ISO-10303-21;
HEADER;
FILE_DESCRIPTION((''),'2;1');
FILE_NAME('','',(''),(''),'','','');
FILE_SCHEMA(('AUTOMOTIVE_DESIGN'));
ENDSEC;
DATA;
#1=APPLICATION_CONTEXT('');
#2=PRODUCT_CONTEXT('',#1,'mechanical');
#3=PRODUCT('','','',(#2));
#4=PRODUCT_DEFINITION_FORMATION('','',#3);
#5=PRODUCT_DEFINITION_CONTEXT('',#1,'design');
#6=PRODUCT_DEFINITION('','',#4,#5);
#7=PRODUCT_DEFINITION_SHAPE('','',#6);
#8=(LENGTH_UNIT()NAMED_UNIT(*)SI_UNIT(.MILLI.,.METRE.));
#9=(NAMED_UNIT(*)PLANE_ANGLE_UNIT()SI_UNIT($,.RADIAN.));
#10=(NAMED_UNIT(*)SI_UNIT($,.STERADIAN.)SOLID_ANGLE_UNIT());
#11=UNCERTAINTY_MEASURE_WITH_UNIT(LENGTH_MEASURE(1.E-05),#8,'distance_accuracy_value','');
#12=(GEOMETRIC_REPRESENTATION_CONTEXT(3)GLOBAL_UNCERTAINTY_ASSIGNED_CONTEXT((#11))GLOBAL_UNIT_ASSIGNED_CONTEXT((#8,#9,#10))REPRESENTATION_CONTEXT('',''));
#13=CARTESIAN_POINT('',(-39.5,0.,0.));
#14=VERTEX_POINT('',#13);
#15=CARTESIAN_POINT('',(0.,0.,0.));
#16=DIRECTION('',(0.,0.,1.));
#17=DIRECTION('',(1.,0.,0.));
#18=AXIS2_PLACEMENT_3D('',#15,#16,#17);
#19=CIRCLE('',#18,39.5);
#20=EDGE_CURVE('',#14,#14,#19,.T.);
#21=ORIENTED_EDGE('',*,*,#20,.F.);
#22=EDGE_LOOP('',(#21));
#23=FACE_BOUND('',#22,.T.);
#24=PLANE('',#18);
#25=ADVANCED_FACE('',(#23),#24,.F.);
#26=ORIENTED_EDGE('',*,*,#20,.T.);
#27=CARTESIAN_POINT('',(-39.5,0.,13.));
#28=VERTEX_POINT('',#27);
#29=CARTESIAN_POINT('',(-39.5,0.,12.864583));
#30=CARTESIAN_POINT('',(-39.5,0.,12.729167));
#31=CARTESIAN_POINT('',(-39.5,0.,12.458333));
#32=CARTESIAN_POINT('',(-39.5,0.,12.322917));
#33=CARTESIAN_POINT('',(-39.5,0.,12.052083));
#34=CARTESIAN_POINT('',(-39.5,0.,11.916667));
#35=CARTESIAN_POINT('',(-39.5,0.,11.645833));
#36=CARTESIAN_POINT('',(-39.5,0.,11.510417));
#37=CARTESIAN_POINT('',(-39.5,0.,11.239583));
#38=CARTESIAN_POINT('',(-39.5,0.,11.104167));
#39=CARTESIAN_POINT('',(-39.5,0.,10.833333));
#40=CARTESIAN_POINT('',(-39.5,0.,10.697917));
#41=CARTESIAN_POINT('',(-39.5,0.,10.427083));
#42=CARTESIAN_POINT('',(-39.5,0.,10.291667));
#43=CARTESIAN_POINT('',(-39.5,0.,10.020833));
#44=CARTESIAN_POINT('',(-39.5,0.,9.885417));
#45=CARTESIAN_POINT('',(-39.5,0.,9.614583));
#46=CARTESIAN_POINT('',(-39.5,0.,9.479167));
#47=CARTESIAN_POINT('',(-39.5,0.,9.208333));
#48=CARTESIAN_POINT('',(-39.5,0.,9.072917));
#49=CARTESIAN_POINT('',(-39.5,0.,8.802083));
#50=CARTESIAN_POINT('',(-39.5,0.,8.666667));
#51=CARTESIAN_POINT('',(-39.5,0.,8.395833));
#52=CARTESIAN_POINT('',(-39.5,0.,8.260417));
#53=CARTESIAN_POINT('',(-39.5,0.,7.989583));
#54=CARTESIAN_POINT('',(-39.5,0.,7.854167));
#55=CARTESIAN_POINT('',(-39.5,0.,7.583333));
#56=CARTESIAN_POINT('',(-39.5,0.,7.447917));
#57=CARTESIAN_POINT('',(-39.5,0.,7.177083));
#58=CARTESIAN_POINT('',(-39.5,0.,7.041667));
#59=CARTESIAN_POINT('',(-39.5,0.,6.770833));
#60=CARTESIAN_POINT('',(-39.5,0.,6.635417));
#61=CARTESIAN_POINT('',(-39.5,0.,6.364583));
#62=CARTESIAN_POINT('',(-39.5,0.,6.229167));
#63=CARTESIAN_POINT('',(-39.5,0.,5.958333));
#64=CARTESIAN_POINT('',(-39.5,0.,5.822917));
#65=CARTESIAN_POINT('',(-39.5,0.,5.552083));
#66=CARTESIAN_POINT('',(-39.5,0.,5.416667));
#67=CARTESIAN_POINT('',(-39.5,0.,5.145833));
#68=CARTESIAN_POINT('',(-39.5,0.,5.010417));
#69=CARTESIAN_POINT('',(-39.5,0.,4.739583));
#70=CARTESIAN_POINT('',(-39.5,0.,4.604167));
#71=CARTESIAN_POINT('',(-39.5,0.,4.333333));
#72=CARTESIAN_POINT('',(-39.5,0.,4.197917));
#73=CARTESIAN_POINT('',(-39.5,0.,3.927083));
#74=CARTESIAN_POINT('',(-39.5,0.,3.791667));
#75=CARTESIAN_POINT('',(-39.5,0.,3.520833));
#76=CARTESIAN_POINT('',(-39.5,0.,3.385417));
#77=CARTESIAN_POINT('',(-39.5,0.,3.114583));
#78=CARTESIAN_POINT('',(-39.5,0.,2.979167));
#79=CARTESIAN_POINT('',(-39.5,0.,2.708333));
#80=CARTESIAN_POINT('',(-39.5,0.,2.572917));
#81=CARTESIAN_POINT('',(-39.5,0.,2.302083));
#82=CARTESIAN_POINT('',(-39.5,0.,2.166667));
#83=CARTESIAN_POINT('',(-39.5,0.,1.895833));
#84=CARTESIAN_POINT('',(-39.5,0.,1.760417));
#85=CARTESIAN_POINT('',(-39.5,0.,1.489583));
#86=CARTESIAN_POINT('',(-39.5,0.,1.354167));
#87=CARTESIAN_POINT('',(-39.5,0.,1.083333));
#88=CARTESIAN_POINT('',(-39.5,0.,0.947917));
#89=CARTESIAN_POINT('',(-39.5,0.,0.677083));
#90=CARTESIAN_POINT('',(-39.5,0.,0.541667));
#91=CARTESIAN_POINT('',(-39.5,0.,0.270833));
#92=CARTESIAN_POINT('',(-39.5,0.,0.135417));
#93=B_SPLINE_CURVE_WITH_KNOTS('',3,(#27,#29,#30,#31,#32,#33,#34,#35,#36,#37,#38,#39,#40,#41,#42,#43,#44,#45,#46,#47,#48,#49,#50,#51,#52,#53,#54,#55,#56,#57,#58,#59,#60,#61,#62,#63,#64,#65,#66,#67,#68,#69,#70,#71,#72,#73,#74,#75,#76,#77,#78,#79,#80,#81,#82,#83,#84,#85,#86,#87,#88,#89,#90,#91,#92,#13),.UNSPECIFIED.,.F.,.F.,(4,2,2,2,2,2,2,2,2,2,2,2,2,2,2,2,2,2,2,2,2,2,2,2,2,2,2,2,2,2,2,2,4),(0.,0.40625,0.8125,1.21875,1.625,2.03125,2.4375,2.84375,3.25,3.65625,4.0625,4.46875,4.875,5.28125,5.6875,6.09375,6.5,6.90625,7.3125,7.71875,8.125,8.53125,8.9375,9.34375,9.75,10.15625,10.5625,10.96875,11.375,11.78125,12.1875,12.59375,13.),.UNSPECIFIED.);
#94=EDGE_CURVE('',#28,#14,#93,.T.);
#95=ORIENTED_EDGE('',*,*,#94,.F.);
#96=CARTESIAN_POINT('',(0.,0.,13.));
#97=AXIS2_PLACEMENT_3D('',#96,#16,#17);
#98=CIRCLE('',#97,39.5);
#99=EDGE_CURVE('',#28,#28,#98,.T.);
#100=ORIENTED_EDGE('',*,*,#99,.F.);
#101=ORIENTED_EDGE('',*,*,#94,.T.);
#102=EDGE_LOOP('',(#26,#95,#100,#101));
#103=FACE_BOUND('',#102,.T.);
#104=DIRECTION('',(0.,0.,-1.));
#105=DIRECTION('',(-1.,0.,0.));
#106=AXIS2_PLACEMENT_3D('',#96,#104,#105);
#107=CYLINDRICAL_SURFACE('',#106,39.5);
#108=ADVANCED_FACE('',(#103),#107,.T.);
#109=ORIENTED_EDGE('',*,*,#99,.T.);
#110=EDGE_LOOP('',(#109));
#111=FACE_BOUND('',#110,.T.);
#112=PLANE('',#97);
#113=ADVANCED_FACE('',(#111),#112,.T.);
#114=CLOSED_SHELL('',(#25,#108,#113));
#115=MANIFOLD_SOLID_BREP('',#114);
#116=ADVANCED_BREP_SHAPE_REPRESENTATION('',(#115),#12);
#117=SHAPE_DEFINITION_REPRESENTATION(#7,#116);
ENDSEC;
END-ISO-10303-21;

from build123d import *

# Parameters (mm, degrees)
SKETCH1_R           = 39.5
BOSS_EXTRUDE1_DEPTH = 13


with BuildPart() as part:
    # Sketch1 → Boss-Extrude1 (new body)
    with BuildSketch(Plane.XY):
        with Locations(Location((0, 0, 0), (0, 0, 180))):
            Circle(SKETCH1_R)
    extrude(amount=BOSS_EXTRUDE1_DEPTH)


solid = part.part
